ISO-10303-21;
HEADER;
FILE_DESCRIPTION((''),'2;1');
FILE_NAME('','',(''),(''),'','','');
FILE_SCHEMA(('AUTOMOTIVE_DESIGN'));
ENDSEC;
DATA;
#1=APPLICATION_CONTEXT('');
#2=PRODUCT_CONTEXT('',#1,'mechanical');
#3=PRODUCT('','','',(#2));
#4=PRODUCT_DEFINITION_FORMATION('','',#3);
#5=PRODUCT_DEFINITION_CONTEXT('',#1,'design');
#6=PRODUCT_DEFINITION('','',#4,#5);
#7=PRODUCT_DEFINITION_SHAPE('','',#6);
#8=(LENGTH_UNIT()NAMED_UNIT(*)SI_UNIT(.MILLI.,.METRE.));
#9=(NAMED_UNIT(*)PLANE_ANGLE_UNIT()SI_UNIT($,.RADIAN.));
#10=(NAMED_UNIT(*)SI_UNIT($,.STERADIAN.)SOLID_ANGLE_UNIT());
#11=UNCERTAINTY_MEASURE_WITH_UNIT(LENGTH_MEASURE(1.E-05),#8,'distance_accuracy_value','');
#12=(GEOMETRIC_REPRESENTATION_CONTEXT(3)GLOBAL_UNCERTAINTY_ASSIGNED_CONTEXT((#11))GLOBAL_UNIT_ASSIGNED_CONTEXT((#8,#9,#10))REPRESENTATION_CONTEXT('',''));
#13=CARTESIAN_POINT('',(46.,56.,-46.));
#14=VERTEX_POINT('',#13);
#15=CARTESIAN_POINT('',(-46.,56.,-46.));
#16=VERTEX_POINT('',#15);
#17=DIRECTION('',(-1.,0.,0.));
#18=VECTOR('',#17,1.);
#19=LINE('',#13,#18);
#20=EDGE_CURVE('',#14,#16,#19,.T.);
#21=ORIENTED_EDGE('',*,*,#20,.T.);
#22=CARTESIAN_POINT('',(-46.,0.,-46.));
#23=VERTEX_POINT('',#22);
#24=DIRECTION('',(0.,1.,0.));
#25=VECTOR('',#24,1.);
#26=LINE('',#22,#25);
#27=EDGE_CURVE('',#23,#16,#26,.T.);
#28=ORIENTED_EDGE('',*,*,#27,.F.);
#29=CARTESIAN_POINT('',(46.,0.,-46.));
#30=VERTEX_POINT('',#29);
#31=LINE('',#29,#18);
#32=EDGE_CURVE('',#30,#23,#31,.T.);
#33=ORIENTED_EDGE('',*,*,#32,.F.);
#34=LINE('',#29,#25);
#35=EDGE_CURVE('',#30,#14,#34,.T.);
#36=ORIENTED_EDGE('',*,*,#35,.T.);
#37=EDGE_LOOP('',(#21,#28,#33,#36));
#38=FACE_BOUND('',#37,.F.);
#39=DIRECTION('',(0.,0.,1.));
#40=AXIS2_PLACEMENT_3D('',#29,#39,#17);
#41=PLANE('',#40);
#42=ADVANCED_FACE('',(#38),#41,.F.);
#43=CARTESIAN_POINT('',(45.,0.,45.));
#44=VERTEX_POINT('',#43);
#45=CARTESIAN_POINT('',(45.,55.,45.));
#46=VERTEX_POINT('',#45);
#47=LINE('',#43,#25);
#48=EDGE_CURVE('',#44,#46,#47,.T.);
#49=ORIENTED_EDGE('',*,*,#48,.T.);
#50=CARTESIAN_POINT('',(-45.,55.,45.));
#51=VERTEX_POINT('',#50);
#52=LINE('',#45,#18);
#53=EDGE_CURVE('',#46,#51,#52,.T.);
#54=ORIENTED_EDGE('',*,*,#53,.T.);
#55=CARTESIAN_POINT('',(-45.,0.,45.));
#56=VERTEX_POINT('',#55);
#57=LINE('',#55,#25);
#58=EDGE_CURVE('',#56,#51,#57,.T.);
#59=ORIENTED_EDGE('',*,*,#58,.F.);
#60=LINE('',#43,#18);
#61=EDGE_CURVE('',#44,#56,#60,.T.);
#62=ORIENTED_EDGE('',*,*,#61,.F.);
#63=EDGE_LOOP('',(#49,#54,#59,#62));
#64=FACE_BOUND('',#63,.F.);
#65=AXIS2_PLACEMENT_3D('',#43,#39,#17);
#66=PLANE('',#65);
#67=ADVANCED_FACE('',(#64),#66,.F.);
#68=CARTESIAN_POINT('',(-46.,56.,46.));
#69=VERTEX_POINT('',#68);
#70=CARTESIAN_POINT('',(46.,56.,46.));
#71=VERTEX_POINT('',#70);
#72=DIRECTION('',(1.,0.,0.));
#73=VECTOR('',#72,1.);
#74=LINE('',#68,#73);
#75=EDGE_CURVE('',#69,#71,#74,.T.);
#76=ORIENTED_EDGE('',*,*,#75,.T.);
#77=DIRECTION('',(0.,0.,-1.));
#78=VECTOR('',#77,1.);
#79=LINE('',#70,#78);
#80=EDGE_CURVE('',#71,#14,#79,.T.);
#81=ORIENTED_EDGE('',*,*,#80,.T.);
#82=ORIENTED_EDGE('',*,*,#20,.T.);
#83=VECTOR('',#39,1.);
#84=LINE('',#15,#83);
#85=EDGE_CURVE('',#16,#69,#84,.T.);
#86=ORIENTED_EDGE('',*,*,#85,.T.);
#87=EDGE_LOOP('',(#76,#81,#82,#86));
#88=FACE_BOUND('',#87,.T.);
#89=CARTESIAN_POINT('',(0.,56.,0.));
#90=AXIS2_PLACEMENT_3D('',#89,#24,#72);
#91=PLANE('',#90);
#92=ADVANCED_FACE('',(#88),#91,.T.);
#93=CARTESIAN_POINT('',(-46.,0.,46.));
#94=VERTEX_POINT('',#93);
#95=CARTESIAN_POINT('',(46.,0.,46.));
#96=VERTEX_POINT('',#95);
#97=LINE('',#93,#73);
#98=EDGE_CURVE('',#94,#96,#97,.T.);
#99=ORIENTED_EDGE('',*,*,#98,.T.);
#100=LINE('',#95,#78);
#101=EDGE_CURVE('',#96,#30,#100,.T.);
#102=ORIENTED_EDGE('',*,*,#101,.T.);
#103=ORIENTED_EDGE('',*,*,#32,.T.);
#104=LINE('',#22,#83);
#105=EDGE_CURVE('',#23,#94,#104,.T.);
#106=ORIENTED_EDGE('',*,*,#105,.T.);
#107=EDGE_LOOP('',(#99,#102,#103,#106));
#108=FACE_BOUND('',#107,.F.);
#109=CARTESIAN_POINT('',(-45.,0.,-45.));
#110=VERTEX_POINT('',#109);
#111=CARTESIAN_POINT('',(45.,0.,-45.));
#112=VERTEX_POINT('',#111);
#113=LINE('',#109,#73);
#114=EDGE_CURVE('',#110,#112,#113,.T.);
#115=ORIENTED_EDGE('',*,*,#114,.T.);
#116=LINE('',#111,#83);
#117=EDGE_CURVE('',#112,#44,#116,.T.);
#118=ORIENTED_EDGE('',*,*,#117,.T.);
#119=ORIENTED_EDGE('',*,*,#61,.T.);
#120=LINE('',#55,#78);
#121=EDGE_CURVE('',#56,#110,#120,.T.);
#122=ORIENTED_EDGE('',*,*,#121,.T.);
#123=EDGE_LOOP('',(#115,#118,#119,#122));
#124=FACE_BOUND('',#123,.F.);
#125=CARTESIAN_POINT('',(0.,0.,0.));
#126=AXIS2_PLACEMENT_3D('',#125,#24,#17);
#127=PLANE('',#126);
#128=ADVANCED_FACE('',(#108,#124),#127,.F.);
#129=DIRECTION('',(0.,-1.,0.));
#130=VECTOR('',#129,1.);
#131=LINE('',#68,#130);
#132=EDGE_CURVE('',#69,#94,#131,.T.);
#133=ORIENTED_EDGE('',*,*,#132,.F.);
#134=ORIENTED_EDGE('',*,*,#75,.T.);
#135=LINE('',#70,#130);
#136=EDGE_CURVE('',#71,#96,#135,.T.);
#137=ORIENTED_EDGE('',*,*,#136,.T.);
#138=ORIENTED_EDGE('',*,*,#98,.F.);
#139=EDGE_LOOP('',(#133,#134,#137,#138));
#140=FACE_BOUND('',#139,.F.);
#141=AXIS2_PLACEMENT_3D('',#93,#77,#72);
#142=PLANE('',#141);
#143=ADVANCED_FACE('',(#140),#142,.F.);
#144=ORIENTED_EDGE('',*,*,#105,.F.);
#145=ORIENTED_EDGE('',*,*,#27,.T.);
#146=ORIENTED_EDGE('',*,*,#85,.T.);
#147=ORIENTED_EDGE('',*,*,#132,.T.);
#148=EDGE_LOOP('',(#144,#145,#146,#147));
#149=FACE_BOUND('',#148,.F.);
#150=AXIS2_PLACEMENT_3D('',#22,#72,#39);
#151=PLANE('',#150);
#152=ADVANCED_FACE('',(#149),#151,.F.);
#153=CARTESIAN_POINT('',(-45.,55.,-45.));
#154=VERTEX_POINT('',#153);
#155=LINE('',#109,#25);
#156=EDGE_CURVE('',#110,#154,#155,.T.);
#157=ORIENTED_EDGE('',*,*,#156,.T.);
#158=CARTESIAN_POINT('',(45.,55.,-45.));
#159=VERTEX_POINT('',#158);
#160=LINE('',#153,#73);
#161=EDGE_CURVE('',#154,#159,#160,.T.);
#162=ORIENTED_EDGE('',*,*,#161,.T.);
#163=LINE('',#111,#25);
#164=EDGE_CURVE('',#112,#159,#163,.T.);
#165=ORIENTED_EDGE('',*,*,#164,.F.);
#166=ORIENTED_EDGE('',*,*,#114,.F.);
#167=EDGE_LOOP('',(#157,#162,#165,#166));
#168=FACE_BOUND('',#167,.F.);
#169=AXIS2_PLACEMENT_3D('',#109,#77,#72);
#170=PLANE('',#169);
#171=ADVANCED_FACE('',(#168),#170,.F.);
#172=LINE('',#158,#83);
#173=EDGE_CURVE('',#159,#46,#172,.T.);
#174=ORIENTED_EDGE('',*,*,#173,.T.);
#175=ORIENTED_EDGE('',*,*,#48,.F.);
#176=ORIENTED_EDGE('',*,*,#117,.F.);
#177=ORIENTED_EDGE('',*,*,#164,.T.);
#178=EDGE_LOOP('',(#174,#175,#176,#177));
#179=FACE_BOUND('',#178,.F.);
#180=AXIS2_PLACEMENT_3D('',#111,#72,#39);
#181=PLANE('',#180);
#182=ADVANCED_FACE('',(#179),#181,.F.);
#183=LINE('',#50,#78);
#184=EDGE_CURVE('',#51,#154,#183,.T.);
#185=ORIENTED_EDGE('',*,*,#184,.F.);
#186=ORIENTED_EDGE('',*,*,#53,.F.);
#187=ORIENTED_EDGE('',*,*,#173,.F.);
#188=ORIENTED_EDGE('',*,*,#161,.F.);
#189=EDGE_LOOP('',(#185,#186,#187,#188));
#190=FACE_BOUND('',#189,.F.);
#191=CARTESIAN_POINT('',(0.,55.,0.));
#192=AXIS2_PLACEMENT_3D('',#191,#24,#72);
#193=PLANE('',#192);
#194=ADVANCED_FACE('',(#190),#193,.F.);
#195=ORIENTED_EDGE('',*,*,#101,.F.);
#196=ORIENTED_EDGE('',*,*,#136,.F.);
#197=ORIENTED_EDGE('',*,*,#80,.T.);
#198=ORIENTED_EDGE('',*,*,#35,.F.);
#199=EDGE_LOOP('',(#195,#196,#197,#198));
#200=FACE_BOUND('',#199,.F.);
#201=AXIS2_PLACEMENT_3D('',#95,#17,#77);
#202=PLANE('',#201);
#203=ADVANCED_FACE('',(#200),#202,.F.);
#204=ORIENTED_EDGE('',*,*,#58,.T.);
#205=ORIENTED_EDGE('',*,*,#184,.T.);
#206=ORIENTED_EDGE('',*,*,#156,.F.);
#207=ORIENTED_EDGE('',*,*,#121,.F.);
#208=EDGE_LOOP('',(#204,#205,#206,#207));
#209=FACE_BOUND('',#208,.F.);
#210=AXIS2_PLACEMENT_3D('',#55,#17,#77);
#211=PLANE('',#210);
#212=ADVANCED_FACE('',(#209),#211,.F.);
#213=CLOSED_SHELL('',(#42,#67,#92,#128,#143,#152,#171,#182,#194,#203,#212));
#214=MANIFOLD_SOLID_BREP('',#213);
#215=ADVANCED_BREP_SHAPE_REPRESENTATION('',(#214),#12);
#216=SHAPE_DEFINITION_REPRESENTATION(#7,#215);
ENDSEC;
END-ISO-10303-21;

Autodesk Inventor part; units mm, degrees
ref_plane "YZ Plane" through (0, 0, 0) normal (1, 0, 0) x (0, 1, 0)
ref_plane "XZ Plane" through (0, 0, 0) normal (0, 1, 0) x (-1, 0, 0)
ref_plane "XY Plane" through (0, 0, 0) normal (0, 0, 1) x (1, 0, 0)
sketch "Sketch1" plane through (0, 0, 0) normal (0, 1, 0) x (-1, 0, 0)
  line L0 (45, -45) -> (-45, -45)
  line L1 (-45, -45) -> (-45, 45)
  line L2 (-45, 45) -> (45, 45)
  line L3 (45, 45) -> (45, -45)
  line L4 (45, -45) -> (-45, 45) construction
  line L5 (-45, -45) -> (45, 45) construction
  line L6 (-46, -46) -> (46, -46)
  line L7 (46, -46) -> (46, 46)
  line L8 (46, 46) -> (-46, 46)
  line L9 (-46, 46) -> (-46, -46)
  line L10 (-46, -46) -> (46, 46) construction
  line L11 (46, -46) -> (-46, 46) construction
  point P0 (0, 0)
  dimension "d0" = 90
  dimension "d1" = 90
  dimension "d4" = 92
  dimension "d5" = 92
extrude "Extrusion1" add sketch "Sketch1" along normal blind 55
sketch "Sketch2" plane through (0, 55, 0) normal (0, 1, 0) x (1, 0, 0)
  line L0 (-46, 46) -> (-46, -46) projected
  line L1 (46, 46) -> (-46, 46)
  line L2 (-46, 46) -> (-46, -46)
  line L3 (-46, -46) -> (46, -46)
  line L4 (46, -46) -> (46, 46)
  line L5 (46, 46) -> (-46, -46) construction
  line L6 (-46, 46) -> (46, -46) construction
  point P0 (0, 0)
extrude "Extrusion2" add sketch "Sketch2" along normal blind 1
properties part number "Aluminium block mold"
